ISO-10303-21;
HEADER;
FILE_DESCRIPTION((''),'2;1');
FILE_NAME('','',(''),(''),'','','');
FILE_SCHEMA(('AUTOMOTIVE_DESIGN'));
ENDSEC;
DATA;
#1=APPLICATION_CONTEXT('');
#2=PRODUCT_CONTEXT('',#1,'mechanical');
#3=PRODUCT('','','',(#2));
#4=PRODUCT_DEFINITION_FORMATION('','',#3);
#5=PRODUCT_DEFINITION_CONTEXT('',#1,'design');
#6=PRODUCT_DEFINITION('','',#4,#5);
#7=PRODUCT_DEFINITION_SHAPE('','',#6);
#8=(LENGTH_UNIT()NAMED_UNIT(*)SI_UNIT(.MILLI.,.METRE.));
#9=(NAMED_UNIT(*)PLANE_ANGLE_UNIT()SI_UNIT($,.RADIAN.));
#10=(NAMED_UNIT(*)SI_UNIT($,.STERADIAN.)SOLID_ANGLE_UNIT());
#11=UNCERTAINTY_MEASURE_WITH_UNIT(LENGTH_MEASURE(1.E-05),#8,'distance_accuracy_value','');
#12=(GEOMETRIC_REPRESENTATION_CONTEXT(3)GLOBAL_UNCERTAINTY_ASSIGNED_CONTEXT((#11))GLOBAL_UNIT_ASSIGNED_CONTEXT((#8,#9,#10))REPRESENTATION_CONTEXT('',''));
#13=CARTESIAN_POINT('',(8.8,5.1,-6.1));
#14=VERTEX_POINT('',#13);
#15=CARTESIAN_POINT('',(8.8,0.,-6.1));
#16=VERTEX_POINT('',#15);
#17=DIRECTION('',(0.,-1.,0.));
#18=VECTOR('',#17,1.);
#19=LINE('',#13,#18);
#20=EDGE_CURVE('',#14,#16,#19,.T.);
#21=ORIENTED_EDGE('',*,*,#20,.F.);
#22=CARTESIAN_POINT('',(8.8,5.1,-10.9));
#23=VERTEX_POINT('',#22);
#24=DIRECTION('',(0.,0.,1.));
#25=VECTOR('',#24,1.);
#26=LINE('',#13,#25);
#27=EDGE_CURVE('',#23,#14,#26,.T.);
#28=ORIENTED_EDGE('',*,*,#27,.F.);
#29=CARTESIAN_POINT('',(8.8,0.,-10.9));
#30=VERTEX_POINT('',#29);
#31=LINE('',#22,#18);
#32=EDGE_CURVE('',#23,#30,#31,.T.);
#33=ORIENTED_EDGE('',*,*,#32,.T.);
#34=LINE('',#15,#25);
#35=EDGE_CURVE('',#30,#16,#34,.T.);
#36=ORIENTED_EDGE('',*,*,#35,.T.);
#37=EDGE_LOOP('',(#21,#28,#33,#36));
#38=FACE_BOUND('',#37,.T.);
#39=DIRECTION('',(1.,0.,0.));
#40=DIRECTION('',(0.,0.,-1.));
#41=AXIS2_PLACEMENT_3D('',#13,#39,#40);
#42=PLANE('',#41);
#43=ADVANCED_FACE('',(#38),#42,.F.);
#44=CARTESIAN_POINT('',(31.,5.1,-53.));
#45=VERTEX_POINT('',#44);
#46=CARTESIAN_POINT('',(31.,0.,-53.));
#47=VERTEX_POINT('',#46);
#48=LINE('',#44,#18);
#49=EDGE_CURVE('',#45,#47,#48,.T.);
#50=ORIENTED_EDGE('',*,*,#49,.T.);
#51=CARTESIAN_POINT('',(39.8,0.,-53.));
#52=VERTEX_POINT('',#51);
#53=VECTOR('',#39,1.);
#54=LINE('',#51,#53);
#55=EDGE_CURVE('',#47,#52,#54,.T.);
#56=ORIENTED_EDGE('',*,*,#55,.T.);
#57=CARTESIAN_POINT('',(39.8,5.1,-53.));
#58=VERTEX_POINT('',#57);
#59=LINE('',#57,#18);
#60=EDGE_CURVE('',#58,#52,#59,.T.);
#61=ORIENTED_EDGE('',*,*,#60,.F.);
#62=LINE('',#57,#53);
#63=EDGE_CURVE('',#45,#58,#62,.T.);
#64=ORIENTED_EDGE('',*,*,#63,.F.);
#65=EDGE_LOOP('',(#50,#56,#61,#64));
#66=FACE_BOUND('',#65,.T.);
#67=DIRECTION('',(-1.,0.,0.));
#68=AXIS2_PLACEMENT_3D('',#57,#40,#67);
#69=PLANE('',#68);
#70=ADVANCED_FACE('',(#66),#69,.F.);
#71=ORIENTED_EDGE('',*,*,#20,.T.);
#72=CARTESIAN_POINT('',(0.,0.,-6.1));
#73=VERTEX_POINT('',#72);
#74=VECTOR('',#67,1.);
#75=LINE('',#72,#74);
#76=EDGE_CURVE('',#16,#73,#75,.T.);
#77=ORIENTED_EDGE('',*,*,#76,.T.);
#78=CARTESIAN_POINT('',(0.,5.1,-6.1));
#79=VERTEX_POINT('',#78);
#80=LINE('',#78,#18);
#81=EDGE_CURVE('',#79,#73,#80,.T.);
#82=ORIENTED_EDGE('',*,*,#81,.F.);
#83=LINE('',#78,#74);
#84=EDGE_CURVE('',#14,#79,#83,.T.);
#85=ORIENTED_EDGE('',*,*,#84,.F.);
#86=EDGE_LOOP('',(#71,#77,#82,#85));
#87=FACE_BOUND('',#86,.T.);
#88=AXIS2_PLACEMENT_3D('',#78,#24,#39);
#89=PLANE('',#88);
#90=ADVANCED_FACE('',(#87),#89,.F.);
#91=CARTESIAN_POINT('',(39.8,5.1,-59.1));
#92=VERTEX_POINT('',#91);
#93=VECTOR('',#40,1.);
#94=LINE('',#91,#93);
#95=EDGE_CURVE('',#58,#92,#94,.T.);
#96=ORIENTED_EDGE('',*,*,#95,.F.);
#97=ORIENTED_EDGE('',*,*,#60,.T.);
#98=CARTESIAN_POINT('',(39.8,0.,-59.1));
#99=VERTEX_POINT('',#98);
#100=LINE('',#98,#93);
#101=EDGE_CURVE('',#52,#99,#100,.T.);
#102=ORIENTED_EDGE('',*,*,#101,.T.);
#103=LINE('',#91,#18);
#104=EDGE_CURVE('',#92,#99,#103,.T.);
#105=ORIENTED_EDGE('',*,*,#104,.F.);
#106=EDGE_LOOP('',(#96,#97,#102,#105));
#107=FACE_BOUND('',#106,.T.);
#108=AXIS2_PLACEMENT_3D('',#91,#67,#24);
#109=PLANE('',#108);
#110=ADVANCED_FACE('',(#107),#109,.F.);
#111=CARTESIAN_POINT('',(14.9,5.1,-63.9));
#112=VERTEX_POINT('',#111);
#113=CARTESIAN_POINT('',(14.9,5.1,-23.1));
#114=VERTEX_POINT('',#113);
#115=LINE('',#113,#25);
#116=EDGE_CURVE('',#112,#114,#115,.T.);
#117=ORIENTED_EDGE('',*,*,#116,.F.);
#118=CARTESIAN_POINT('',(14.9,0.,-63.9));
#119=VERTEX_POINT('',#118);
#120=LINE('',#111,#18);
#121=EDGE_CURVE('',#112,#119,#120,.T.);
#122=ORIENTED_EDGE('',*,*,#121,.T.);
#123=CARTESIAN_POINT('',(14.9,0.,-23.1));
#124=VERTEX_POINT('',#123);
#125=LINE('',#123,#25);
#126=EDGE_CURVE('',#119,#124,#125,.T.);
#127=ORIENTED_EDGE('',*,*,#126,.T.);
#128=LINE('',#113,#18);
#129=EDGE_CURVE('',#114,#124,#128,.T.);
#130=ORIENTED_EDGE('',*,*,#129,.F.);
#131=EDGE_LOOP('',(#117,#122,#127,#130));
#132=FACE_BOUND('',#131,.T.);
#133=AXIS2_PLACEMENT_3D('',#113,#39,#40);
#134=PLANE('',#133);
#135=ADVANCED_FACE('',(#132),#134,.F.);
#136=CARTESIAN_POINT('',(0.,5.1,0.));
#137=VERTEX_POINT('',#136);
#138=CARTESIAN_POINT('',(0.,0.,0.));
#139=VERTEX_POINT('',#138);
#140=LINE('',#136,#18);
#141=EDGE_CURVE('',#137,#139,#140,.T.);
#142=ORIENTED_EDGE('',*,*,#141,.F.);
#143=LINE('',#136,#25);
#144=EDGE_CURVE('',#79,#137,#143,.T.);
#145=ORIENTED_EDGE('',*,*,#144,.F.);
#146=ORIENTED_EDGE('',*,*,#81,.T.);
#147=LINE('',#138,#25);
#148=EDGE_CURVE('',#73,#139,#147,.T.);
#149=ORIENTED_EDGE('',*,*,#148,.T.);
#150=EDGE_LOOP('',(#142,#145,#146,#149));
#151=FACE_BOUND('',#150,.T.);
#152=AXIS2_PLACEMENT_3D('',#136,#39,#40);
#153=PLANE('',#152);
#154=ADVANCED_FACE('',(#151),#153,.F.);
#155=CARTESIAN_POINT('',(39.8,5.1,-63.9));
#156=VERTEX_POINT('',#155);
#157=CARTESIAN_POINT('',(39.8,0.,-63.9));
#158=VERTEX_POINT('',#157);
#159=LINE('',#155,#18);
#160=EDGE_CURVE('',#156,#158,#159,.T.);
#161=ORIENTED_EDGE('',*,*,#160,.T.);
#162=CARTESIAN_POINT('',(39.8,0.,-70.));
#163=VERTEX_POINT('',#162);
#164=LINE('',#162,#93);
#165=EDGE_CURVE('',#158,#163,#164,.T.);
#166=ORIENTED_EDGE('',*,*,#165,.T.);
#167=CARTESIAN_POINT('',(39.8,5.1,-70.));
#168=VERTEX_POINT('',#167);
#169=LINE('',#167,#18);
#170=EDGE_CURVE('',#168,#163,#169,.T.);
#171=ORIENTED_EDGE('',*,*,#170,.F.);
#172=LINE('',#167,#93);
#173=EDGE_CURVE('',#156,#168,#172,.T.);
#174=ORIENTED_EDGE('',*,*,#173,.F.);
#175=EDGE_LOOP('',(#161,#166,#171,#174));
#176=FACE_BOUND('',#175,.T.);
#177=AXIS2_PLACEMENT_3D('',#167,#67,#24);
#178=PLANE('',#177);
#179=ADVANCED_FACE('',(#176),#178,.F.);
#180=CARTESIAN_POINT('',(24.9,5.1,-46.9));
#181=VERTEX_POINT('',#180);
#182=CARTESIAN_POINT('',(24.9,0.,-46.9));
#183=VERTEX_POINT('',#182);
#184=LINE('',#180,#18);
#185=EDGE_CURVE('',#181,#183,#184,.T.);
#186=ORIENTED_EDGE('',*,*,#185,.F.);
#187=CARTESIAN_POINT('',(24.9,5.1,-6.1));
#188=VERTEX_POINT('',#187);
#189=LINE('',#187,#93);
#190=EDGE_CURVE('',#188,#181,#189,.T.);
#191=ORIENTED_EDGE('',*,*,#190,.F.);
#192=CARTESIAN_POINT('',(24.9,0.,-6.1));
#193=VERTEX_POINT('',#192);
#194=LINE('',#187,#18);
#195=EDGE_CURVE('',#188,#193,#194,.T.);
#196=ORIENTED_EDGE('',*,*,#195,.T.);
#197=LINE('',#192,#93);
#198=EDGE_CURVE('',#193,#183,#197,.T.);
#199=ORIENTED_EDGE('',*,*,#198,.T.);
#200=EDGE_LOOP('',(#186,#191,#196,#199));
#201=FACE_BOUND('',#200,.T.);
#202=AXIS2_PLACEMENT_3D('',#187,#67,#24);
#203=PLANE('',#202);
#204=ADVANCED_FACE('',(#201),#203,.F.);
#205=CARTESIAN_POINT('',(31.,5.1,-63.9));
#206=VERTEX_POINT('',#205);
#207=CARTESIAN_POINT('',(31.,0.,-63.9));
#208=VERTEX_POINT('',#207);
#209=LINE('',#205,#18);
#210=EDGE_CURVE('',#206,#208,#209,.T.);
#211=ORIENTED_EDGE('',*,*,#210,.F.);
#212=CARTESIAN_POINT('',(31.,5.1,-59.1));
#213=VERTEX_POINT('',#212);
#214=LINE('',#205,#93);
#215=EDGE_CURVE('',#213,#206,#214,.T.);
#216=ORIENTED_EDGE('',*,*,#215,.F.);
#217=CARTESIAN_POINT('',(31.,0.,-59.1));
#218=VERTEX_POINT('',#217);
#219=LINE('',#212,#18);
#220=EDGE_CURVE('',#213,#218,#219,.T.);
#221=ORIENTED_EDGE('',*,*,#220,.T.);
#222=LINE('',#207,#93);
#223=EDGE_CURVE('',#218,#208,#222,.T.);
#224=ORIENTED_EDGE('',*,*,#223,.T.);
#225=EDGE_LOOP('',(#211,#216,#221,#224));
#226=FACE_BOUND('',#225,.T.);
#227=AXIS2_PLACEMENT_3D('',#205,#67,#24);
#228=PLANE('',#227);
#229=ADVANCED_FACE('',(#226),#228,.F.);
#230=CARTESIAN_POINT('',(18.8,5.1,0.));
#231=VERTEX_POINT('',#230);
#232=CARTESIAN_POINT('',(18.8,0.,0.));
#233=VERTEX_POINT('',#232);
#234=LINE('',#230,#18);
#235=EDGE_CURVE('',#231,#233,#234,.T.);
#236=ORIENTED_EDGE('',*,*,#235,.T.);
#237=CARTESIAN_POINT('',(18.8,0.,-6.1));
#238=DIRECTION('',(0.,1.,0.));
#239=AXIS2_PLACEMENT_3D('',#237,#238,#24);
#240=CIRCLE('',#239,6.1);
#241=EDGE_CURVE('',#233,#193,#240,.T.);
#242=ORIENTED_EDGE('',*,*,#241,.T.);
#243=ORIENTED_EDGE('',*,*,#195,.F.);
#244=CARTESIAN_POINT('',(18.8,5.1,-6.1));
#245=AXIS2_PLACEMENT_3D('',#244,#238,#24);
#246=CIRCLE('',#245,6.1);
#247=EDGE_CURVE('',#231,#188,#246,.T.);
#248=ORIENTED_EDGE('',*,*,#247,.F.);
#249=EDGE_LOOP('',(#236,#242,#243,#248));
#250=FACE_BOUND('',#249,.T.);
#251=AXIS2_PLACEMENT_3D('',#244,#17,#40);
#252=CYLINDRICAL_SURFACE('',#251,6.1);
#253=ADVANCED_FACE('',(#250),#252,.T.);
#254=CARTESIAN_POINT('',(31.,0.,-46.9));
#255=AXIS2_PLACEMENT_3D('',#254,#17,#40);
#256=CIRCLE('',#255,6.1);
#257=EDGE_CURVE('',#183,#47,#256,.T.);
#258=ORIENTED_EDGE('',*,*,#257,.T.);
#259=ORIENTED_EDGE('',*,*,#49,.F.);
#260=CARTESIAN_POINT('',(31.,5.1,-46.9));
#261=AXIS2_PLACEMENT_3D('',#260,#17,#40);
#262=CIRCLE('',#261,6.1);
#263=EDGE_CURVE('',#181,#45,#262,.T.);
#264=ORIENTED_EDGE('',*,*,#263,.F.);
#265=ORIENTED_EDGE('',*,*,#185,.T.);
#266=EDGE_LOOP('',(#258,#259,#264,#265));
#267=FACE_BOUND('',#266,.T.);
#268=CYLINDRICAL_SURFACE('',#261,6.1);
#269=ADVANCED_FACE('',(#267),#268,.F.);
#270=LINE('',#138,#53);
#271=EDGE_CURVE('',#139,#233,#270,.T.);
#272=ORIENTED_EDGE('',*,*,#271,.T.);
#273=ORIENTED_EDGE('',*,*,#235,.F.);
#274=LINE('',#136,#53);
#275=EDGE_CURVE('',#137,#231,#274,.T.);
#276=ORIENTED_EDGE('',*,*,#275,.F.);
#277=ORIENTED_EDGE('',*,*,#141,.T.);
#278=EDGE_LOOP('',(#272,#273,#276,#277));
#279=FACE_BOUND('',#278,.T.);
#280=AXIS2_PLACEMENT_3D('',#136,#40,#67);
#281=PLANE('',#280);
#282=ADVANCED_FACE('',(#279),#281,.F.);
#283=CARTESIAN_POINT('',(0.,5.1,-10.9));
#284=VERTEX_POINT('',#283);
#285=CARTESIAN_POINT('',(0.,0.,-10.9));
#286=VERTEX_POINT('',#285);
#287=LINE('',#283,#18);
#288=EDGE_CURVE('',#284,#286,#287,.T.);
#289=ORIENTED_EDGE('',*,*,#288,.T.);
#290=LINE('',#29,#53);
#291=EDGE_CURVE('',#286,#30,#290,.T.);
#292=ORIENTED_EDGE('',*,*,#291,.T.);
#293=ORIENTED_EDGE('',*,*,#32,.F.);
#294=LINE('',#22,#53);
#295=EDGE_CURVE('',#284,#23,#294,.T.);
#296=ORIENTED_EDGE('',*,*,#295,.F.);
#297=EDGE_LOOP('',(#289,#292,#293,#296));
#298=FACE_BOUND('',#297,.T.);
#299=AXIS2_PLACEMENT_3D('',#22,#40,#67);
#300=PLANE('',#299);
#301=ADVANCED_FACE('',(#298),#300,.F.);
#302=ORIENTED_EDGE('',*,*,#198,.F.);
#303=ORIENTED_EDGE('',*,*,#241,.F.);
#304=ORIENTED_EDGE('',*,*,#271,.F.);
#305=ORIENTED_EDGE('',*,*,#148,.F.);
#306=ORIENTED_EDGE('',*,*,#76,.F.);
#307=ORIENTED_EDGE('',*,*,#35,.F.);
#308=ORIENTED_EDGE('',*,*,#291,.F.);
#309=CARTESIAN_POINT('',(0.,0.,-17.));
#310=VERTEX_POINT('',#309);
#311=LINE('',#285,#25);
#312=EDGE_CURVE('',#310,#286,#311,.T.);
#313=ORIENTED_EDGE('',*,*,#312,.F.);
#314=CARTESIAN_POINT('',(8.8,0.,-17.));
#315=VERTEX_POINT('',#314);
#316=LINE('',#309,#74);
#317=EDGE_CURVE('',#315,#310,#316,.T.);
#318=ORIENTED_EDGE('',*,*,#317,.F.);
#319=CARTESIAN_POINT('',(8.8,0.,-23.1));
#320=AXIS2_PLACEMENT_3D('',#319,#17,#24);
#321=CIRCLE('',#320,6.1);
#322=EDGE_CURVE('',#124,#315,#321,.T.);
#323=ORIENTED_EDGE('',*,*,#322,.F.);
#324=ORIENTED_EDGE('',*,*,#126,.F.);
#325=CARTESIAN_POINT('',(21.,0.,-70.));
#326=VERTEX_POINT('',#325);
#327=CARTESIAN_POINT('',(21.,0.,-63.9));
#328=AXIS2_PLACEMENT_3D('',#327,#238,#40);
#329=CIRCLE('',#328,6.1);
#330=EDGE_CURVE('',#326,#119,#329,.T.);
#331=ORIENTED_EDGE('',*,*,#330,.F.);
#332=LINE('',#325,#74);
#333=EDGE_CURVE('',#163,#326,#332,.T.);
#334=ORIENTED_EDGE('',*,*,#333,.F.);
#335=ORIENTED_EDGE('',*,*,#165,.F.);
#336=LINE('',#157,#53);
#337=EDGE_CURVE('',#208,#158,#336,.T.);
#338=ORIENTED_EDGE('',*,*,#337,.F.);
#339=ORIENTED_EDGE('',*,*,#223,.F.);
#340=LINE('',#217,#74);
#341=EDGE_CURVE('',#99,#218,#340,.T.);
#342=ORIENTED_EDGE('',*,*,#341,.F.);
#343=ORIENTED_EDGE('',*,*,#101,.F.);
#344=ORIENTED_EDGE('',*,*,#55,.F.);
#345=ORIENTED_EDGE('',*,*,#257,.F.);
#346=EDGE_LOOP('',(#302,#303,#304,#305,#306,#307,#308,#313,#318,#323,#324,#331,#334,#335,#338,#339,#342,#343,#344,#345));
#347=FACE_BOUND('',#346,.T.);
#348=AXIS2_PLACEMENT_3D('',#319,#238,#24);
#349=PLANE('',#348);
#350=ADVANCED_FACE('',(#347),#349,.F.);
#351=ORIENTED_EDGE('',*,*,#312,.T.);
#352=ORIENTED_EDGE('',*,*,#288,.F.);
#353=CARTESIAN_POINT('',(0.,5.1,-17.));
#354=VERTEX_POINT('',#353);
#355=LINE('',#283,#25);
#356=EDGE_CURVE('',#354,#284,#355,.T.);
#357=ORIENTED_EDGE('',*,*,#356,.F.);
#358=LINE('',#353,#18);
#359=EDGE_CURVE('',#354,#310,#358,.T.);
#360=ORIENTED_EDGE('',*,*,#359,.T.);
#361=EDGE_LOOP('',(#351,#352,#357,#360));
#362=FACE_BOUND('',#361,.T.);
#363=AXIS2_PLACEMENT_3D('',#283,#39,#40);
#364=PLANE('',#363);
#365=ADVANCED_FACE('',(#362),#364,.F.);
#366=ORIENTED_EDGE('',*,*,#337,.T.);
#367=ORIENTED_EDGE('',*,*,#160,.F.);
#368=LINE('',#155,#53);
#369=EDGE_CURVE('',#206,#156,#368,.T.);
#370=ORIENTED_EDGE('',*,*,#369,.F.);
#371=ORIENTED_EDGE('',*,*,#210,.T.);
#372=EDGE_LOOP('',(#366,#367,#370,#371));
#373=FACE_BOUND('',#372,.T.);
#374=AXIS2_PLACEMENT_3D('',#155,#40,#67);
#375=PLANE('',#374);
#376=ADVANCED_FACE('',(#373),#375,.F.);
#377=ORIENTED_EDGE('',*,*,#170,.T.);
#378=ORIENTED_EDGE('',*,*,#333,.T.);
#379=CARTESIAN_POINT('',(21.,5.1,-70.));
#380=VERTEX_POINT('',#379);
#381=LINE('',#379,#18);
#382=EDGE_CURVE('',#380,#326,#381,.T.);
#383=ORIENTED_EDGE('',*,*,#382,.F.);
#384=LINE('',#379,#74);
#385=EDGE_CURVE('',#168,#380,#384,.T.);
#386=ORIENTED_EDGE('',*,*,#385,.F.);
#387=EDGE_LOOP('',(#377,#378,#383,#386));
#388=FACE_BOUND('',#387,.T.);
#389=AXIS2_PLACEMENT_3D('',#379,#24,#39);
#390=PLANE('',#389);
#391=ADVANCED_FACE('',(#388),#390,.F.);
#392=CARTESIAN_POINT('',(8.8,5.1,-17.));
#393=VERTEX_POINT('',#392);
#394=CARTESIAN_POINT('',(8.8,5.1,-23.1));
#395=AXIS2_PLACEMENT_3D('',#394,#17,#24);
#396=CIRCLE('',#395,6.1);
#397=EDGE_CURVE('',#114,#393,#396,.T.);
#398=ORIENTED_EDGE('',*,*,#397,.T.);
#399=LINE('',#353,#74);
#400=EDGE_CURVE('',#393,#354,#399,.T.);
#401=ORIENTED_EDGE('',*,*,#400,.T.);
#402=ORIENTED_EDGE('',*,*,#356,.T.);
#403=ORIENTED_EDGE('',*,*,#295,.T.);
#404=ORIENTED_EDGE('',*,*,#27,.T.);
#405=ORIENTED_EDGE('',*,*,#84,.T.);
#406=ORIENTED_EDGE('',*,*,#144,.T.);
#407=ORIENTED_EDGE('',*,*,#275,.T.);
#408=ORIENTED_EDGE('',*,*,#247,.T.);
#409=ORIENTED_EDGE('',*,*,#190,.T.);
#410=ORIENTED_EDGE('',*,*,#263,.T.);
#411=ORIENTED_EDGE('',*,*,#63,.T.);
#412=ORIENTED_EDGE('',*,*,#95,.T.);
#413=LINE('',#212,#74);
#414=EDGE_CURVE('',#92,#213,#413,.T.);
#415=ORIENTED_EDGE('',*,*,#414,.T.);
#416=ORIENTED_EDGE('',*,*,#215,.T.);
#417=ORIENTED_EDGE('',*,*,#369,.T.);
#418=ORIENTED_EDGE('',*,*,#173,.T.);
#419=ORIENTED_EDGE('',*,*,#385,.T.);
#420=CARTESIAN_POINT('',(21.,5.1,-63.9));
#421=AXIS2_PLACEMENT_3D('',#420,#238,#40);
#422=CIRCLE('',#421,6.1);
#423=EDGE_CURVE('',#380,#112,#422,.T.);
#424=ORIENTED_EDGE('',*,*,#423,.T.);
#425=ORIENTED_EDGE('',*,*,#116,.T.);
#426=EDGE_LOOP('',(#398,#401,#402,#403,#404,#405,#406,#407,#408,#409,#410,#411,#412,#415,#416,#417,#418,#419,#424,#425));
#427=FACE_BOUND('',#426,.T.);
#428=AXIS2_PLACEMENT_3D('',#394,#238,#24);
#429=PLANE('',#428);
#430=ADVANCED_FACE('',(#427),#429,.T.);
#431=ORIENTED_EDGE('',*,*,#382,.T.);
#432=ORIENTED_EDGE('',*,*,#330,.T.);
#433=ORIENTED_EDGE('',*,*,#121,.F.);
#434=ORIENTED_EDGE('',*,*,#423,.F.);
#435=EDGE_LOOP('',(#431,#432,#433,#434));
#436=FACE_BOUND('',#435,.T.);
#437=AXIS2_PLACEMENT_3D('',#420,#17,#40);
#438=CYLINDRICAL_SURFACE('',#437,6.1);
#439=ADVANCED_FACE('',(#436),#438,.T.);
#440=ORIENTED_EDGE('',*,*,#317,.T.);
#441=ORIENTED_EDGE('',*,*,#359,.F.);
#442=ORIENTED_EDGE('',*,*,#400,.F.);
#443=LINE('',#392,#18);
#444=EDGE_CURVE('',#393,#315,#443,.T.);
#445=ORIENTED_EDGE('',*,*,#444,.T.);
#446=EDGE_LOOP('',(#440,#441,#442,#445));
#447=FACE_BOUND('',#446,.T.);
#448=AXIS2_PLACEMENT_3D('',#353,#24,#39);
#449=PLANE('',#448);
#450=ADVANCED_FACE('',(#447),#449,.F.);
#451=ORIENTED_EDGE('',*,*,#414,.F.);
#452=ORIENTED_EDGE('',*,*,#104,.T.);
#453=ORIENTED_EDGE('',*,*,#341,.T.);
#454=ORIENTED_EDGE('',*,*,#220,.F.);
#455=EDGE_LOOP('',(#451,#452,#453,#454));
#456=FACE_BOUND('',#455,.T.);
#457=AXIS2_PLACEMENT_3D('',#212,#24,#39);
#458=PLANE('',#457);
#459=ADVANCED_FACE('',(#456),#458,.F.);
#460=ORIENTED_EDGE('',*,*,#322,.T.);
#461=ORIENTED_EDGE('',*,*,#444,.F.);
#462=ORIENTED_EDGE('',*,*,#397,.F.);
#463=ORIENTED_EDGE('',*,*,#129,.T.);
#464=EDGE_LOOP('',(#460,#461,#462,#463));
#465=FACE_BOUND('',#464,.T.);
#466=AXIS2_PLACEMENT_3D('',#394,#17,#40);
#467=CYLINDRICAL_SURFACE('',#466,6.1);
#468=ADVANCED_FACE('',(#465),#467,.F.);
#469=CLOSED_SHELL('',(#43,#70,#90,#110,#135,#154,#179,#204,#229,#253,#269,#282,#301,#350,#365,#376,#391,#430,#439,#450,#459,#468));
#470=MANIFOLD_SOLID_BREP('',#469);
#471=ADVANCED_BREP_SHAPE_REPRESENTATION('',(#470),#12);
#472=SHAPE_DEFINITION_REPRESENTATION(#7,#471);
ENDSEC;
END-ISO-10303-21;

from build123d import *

# Parameters (mm, degrees)
SALIENTE_EXTRUIR1_DEPTH = 5.1


with BuildPart() as part:
    # Croquis1 → Saliente-Extruir1 (new body)
    with BuildSketch(Plane(origin=(0, 0, 0), x_dir=(1, 0, 0), z_dir=(0, 1, 0))):
        with BuildLine():
            Line((0, 0), (18.8, 0))
            ThreePointArc((18.8, 0), (23.113351365, 1.786648635), (24.9, 6.1))
            Line((24.9, 6.1), (24.9, 46.9))
            ThreePointArc((24.9, 46.9), (26.686648635, 51.213351365), (31, 53))
            Line((31, 53), (39.8, 53))
            Line((39.8, 53), (39.8, 59.1))
            Line((39.8, 59.1), (31, 59.1))
            Line((31, 59.1), (31, 63.9))
            Line((31, 63.9), (39.8, 63.9))
            Line((39.8, 63.9), (39.8, 70))
            Line((39.8, 70), (21, 70))
            ThreePointArc((21, 70), (16.686648635, 68.213351365), (14.9, 63.9))
            Line((14.9, 63.9), (14.9, 23.1))
            ThreePointArc((14.9, 23.1), (13.113351365, 18.786648635), (8.8, 17))
            Line((8.8, 17), (0, 17))
            Line((0, 17), (0, 10.9))
            Line((0, 10.9), (8.8, 10.9))
            Line((8.8, 10.9), (8.8, 6.1))
            Line((8.8, 6.1), (0, 6.1))
            Line((0, 6.1), (0, 0))
        make_face()
    extrude(amount=SALIENTE_EXTRUIR1_DEPTH)


solid = part.part
